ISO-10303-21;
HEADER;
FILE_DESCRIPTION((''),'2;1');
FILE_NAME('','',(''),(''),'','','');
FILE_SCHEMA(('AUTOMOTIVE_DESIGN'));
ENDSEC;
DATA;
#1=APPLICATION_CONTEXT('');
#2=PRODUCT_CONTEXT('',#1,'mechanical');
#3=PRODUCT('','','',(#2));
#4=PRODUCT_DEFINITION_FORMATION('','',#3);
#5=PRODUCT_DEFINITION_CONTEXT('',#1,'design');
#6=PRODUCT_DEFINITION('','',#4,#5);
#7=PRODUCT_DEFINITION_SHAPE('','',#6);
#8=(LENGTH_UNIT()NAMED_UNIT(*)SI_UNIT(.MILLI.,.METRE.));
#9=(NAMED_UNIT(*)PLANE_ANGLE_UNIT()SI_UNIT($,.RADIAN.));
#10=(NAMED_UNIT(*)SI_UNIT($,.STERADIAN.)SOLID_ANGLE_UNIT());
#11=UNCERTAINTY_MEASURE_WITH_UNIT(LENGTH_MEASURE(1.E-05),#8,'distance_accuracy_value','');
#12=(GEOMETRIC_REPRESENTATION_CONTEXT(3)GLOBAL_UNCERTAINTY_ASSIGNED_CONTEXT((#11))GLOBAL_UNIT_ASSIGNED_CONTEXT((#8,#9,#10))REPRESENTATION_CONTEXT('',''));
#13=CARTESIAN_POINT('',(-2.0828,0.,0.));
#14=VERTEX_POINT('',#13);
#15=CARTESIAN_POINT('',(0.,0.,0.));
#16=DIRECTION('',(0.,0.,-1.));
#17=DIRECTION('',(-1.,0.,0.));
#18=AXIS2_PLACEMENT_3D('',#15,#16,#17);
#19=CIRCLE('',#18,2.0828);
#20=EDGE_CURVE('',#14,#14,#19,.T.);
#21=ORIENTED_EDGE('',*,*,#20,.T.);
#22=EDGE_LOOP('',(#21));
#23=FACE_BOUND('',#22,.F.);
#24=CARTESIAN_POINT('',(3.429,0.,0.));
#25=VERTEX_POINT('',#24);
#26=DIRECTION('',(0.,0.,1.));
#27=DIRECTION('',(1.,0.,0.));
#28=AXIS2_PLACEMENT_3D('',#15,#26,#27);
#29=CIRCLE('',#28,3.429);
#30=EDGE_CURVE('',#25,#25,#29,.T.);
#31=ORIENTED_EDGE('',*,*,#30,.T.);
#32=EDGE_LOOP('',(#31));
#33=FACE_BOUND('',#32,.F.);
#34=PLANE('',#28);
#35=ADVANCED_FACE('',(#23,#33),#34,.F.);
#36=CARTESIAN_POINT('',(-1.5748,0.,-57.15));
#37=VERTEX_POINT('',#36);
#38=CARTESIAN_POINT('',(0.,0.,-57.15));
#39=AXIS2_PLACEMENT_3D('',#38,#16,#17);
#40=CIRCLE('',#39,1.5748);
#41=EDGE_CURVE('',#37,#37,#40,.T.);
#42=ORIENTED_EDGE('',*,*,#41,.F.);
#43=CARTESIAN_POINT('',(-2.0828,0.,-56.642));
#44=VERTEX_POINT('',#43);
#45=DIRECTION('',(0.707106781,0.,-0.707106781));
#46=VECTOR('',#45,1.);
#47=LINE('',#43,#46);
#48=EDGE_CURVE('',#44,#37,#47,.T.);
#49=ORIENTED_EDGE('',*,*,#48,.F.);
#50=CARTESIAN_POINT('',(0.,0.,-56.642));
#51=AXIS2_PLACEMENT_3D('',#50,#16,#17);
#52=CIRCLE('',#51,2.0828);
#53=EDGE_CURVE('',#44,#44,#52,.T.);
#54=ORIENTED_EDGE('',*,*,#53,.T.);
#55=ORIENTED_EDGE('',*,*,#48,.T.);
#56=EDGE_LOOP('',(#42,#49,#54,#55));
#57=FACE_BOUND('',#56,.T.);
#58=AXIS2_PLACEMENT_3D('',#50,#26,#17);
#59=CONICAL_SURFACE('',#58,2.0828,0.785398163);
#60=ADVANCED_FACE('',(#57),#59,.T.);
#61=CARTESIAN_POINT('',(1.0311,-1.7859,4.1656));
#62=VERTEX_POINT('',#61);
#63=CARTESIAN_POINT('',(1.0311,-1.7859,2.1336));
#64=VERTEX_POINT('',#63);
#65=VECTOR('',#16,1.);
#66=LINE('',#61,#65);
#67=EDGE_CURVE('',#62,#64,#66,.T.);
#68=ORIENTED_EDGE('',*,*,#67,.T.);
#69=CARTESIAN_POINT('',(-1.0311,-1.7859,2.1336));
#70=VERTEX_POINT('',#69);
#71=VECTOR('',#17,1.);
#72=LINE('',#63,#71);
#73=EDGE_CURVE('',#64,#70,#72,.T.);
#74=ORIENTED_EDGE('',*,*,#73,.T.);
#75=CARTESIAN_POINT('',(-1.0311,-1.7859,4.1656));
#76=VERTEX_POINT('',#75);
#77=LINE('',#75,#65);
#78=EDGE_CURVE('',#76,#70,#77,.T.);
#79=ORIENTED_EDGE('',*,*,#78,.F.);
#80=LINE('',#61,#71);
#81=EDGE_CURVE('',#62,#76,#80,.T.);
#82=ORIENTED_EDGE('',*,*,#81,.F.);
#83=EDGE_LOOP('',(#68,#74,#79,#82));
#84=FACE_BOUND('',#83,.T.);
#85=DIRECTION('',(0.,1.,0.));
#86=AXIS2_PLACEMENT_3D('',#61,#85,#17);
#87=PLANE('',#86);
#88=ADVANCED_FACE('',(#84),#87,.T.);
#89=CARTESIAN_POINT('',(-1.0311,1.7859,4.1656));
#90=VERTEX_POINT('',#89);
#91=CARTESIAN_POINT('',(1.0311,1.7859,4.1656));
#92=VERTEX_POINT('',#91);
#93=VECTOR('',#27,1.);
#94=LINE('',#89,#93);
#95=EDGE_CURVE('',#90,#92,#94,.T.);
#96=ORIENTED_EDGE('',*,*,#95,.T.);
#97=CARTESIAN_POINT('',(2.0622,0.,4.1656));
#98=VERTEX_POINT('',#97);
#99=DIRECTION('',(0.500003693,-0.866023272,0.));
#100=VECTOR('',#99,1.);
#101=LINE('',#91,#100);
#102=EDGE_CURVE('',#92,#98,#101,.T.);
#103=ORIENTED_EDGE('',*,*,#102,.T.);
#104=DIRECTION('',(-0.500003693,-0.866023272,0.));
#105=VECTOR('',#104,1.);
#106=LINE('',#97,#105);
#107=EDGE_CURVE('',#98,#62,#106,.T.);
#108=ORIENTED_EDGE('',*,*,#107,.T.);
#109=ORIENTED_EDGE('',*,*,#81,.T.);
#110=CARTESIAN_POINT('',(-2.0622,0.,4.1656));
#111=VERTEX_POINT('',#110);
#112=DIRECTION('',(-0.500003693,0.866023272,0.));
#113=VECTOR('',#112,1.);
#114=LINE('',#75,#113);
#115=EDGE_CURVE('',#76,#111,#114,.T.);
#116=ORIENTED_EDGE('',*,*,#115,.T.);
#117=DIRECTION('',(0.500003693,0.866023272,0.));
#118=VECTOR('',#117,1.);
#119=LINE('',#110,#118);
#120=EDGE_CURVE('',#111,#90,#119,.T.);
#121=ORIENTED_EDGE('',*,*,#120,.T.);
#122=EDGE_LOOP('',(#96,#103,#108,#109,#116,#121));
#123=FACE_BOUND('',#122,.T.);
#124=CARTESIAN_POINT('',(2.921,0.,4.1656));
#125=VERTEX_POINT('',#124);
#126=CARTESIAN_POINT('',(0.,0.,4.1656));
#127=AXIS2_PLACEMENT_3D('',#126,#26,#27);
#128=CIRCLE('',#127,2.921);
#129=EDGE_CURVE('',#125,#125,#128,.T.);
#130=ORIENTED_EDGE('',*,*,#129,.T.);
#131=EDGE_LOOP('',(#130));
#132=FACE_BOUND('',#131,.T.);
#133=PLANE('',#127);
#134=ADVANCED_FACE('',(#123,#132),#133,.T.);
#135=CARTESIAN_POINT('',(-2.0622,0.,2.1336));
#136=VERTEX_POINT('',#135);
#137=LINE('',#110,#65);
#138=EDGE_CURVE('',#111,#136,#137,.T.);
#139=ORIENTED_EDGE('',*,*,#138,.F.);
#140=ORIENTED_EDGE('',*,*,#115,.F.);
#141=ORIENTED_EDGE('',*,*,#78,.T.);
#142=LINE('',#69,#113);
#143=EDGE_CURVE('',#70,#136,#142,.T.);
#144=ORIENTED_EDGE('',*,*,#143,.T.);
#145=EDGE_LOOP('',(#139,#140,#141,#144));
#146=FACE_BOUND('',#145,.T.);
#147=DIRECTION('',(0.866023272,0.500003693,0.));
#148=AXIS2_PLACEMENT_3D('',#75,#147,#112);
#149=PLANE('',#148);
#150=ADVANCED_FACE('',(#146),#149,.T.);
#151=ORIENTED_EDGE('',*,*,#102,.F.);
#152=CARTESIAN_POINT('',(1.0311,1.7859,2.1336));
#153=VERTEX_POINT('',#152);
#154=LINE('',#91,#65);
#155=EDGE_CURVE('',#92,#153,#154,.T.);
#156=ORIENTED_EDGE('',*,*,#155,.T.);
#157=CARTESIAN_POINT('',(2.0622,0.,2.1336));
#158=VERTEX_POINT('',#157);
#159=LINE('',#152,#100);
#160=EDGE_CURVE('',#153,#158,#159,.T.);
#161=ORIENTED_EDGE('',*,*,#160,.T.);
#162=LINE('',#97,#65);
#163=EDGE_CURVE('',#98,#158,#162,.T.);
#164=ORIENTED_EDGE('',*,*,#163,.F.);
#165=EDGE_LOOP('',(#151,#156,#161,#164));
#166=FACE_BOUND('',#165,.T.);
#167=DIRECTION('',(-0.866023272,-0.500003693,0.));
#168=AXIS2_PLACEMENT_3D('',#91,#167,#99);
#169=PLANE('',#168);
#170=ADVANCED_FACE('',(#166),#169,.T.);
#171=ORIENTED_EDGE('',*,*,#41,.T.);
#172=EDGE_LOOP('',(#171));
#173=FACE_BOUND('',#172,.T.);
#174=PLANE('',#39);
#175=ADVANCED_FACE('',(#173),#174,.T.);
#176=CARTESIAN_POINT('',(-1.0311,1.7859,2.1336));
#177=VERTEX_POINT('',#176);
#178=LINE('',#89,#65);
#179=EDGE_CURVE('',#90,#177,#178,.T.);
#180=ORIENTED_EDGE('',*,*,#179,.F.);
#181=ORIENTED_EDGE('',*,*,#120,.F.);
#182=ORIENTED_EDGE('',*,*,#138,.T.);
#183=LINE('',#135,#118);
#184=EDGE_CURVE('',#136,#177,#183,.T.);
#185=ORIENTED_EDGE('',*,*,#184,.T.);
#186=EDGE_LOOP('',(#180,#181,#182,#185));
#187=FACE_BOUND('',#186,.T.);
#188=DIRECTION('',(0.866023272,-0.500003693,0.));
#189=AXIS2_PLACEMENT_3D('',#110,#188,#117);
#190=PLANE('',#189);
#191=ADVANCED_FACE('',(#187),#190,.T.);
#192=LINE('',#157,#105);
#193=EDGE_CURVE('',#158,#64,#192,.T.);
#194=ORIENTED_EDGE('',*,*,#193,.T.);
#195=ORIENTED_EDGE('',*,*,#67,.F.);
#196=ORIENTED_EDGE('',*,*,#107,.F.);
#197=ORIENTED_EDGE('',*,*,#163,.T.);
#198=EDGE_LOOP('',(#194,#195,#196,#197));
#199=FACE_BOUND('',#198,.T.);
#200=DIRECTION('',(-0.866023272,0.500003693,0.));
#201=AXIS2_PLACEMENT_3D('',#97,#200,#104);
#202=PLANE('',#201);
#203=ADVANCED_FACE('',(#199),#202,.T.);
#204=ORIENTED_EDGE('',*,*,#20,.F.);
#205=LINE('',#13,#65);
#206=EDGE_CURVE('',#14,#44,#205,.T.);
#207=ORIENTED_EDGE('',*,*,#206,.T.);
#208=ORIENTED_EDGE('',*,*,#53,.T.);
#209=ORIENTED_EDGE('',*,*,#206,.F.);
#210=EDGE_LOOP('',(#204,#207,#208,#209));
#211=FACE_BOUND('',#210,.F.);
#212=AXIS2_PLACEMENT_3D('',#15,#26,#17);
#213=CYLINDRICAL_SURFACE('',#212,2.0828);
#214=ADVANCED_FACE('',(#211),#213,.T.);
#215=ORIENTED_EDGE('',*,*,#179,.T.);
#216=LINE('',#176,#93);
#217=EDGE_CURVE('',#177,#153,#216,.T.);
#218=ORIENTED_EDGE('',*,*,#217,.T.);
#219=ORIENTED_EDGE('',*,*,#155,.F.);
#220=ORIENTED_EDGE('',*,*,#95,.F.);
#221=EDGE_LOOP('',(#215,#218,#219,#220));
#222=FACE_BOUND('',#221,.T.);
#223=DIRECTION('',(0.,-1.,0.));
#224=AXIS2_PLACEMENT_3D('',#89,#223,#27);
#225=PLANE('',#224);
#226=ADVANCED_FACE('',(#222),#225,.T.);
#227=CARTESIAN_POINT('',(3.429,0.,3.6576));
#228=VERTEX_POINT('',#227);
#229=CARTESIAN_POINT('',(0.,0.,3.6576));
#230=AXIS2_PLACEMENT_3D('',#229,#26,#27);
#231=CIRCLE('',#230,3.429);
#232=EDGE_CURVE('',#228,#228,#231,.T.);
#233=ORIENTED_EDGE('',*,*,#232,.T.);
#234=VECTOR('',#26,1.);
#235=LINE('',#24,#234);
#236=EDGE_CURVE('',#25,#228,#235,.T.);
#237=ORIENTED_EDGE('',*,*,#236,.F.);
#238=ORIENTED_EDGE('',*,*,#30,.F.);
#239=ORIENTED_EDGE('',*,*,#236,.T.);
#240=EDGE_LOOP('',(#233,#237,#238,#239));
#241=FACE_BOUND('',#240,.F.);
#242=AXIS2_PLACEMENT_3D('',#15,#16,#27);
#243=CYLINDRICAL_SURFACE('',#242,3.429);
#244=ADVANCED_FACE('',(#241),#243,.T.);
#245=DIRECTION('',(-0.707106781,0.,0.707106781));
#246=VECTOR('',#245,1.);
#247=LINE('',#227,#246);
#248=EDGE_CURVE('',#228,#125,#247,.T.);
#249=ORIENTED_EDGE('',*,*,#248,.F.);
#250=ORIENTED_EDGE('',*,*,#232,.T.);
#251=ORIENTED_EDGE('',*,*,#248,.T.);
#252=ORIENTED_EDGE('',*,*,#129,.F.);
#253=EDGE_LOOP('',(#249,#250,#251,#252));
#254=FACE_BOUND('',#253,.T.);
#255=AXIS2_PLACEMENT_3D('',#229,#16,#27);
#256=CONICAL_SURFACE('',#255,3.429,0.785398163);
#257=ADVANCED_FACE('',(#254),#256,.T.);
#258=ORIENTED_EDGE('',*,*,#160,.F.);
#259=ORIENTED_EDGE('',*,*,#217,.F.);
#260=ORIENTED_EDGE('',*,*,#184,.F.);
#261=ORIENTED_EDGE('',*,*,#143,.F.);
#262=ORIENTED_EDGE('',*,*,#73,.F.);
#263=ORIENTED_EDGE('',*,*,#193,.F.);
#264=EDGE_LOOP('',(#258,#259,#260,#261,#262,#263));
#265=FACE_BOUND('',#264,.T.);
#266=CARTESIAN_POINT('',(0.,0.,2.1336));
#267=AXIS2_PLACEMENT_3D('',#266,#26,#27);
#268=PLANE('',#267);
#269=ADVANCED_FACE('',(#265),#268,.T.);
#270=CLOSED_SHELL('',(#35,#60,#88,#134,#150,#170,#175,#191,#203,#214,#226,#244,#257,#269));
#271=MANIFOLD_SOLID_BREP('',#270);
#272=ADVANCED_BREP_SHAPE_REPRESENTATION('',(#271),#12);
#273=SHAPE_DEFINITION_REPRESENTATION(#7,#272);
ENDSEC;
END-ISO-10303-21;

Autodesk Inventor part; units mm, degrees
ref_plane "YZ Plane" through (0, 0, 0) normal (1, 0, 0) x (0, 1, 0)
ref_plane "XZ Plane" through (0, 0, 0) normal (0, 1, 0) x (-1, 0, 0)
ref_plane "XY Plane" through (0, 0, 0) normal (0, 0, 1) x (1, 0, 0)
sketch "Sketch1" plane through (0, 0, 0) normal (0, 0, 1) x (1, 0, 0)
  circle A0 centre (0, 0) radius 3.429
  dimension "d0" = 6.858
extrude "Extrusion1" add sketch "Sketch1" along normal blind 4.1656
sketch "Sketch2" plane through (0, 0, 0) normal (0, 0, -1) x (-1, 0, 0)
  circle A0 centre (0, 0) radius 3.429 projected
  circle A1 centre (0, 0) radius 2.0828
  dimension "d3" = 4.1656
extrude "Extrusion2" add sketch "Sketch2" along normal blind 57.15 contours A1
sketch "Sketch3" plane through (0, 0, 4.1656) normal (0, 0, 1) x (1, 0, 0)
  circle A0 centre (0, 0) radius 3.429 projected
  line L0 (-1.0311, 1.7859) -> (1.0311, 1.7859)
  line L1 (1.0311, 1.7859) -> (2.0622, 0)
  line L2 (2.0622, 0) -> (1.0311, -1.7859)
  line L3 (1.0311, -1.7859) -> (-1.0311, -1.7859)
  line L4 (-1.0311, -1.7859) -> (-2.0622, 0)
  line L5 (-2.0622, 0) -> (-1.0311, 1.7859)
  dimension "d6" = 3.5719
extrude "Extrusion3" cut sketch "Sketch3" against normal blind 2.032 contours L0 L1 L2 L3 L4 L5
thread "Thread1" size "8-32 UNC" class "2A" standard "ANSI Unified Screw Threads" length 25.4
chamfer "Chamfer1" distance 0.508 angle 45 1 edges at (2.0828, 0, -57.15)
chamfer "Chamfer2" distance 0.508 angle 45 1 edges at (-3.429, 0, 4.1656)
properties part number "10-32 x1000" material "Steel"
